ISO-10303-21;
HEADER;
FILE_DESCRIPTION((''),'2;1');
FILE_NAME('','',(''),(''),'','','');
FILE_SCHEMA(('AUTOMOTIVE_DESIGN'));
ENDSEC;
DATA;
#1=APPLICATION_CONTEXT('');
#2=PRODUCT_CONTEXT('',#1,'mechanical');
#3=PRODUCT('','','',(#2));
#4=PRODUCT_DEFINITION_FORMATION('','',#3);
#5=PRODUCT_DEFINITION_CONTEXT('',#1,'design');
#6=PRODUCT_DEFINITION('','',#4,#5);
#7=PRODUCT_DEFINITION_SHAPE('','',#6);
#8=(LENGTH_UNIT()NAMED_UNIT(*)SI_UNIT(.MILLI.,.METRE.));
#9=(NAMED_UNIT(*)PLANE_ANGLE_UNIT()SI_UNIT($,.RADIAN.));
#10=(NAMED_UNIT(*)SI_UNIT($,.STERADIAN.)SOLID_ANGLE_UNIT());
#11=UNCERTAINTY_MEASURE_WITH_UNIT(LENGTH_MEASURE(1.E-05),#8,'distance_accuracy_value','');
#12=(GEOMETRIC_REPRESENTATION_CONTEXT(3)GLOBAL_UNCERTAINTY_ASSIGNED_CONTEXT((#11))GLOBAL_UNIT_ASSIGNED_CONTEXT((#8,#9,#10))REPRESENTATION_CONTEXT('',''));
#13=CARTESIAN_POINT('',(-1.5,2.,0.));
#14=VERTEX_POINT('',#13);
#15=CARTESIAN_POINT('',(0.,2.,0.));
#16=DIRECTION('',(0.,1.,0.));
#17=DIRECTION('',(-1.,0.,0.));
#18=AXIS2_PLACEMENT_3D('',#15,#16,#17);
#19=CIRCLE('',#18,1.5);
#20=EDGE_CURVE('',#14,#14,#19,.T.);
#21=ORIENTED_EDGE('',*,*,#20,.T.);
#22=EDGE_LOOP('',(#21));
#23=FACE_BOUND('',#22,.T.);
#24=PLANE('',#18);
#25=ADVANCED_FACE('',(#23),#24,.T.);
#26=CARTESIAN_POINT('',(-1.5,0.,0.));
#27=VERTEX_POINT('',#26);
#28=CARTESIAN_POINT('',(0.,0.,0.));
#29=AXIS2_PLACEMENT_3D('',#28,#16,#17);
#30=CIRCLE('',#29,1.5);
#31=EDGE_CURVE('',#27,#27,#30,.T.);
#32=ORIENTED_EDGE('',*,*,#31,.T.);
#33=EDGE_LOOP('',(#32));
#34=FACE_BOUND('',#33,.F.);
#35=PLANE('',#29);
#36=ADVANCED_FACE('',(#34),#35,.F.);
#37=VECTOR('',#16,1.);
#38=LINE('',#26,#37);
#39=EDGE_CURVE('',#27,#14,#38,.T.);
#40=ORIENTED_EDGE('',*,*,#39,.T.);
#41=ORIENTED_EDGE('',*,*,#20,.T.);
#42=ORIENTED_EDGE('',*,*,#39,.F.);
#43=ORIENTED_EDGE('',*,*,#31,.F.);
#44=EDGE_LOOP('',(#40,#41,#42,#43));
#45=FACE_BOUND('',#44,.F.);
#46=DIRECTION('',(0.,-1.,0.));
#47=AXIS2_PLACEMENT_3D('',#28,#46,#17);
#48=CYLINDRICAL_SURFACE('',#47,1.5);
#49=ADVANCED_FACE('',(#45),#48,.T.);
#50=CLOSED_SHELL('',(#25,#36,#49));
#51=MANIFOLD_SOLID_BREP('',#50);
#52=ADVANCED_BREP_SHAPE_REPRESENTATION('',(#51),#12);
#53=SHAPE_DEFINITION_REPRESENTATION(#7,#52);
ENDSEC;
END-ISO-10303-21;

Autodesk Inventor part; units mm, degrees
ref_plane "YZ Plane" through (0, 0, 0) normal (1, 0, 0) x (0, 1, 0)
ref_plane "XZ Plane" through (0, 0, 0) normal (0, 1, 0) x (-1, 0, 0)
ref_plane "XY Plane" through (0, 0, 0) normal (0, 0, 1) x (1, 0, 0)
sketch "Sketch5" plane through (0, 0, 0) normal (0, 1, 0) x (-1, 0, 0)
  circle A0 centre (0, 0) radius 1.5
  dimension "d14" = 3
extrude "Extrusion4" add sketch "Sketch5" along normal blind 2
properties part number "EndCap"
